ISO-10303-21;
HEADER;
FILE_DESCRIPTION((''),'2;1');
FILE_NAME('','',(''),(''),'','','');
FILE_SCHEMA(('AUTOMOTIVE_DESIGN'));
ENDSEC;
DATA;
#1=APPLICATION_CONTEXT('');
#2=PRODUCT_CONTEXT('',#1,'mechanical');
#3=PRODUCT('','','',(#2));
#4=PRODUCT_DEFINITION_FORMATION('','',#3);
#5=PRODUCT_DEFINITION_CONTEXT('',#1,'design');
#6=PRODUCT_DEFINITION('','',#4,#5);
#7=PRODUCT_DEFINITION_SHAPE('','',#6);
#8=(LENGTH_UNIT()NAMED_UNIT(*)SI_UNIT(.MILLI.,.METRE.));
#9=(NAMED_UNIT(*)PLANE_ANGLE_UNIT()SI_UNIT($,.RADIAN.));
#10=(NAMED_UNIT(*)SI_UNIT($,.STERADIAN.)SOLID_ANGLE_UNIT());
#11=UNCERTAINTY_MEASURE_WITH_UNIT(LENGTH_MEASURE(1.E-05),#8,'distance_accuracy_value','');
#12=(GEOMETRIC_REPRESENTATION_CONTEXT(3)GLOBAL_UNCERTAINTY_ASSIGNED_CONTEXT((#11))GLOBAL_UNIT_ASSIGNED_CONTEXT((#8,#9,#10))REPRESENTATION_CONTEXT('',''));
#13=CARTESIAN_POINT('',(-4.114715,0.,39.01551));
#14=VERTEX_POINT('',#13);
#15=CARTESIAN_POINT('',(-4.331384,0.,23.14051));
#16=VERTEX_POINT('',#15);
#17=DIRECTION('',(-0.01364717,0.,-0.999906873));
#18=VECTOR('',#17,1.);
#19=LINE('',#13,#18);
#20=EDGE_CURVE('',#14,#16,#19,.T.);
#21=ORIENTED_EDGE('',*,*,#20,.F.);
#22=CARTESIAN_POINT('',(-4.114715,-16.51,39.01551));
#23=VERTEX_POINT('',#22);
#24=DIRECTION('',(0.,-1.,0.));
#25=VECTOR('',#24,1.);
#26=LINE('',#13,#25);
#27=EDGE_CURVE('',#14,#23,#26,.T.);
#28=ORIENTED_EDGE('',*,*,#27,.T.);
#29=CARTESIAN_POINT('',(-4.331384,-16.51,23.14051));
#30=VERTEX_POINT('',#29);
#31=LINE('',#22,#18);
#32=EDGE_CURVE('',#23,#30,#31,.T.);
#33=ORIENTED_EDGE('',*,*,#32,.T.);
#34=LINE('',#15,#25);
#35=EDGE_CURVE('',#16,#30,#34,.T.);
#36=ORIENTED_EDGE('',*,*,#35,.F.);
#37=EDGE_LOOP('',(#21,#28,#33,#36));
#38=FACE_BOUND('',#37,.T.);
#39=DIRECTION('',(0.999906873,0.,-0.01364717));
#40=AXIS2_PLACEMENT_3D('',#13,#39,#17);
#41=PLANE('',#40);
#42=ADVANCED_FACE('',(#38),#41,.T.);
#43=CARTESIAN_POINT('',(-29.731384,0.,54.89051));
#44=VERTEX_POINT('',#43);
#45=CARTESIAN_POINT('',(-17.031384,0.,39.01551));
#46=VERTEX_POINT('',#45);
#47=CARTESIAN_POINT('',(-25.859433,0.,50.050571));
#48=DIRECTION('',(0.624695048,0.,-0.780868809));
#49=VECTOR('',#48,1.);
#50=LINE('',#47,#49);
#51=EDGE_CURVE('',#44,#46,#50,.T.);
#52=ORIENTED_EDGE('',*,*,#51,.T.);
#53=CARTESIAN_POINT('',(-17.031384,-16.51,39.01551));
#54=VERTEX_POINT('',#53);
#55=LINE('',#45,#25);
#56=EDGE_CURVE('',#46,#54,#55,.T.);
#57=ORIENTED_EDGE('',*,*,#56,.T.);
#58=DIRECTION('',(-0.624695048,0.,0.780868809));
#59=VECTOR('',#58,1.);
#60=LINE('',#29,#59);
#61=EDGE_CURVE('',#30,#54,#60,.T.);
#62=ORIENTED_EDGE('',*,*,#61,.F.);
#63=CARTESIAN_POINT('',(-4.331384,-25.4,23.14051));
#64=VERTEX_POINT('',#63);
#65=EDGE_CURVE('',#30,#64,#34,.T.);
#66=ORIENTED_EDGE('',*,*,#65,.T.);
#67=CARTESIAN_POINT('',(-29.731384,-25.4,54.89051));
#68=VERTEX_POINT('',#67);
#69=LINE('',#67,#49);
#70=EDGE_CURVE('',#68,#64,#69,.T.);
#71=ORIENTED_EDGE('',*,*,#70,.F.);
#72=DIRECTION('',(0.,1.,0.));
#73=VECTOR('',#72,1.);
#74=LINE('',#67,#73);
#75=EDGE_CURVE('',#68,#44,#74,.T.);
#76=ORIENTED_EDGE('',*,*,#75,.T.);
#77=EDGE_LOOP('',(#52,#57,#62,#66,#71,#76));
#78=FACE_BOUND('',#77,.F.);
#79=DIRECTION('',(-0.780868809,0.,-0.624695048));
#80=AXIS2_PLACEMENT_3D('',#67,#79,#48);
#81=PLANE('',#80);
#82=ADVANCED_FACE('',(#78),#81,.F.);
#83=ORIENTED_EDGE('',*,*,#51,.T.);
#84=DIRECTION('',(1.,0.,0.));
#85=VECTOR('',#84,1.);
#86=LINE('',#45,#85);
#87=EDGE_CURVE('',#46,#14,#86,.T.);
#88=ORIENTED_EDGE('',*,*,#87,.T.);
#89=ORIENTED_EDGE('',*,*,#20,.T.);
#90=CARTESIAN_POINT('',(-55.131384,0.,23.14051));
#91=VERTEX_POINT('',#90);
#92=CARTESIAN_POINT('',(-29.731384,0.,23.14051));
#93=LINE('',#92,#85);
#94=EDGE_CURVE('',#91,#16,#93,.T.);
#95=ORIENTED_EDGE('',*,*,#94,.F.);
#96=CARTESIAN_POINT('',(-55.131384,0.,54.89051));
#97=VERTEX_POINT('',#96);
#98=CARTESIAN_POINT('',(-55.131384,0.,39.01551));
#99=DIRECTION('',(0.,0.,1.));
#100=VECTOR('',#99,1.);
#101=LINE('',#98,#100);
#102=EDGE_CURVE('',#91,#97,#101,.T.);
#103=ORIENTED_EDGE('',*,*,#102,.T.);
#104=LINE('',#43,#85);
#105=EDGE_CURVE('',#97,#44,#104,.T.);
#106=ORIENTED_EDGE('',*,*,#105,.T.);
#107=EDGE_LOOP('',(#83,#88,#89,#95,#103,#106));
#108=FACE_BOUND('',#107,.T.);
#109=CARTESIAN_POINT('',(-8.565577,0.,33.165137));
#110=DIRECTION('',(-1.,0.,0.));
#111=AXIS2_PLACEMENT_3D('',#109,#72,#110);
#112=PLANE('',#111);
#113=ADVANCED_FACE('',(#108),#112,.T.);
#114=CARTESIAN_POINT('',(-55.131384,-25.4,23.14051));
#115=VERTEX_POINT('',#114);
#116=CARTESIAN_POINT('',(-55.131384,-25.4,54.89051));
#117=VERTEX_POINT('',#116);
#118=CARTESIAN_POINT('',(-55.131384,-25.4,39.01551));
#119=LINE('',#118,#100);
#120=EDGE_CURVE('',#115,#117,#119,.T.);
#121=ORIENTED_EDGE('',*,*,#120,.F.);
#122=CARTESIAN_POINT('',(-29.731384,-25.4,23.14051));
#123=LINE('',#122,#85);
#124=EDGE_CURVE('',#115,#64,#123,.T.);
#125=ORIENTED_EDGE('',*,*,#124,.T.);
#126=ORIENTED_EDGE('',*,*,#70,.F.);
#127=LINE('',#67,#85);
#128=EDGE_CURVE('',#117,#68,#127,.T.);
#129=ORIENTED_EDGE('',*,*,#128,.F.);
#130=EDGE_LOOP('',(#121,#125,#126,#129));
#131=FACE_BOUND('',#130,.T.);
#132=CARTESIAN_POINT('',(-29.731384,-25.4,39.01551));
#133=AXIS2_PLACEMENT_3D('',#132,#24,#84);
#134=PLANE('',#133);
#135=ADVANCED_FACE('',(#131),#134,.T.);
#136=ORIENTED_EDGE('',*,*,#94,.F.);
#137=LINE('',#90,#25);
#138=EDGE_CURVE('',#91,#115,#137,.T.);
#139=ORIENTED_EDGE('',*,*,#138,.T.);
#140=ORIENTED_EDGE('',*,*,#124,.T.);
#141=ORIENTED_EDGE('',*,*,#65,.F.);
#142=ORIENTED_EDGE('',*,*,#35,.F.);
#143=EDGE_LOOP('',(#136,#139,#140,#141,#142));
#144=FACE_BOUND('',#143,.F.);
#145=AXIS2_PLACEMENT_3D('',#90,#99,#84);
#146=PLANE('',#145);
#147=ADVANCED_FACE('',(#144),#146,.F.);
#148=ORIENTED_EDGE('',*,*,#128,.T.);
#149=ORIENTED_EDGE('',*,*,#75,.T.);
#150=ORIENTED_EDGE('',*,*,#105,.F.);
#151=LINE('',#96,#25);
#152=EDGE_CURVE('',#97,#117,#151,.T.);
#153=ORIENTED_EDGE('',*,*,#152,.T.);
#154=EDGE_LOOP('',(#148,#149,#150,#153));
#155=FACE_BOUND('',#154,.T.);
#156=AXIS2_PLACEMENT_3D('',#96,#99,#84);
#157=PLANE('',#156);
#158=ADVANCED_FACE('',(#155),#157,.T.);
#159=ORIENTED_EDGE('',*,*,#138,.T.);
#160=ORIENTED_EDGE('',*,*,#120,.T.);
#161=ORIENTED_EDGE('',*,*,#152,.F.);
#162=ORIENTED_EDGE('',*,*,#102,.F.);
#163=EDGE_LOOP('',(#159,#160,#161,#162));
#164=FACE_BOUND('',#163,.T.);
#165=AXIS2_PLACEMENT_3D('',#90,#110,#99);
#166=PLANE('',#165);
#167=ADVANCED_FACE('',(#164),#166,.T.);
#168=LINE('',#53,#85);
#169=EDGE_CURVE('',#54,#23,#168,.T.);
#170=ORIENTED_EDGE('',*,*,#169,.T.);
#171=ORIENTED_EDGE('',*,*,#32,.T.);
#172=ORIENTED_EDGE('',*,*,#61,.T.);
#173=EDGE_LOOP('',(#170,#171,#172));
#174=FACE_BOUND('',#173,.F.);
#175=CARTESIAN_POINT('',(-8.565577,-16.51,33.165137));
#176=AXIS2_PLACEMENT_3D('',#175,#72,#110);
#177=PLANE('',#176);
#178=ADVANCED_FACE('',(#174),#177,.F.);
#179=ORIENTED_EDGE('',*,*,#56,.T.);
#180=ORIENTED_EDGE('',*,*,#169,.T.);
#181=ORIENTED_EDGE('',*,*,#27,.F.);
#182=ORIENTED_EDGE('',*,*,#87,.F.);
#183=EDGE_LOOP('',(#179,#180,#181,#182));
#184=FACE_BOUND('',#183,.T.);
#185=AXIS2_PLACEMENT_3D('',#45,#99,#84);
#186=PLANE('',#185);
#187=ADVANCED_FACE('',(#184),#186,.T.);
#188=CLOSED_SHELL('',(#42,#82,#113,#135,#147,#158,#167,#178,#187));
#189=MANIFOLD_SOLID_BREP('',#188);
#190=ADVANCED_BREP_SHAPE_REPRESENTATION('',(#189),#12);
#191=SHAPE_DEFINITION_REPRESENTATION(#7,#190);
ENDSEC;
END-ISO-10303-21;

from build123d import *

# Parameters (mm, degrees)
F0_W     = 50.8
F0_H     = 31.75
F1_DEPTH = 25.4
F3_DEPTH = 25.401
F5_DEPTH = 16.51


with BuildPart() as f1:
    # F0 (on Front) → F1 (new body)
    with BuildSketch(Plane.XZ):
        with Locations((-29.731384, 39.01551)):
            Rectangle(F0_W, F0_H)
    extrude(amount=F1_DEPTH)

    # F2 (on face) → F3 (cut, through all)
    with BuildSketch(Plane.XZ.offset(25.4)):
        Polygon((-4.331384, 54.89051), (-29.731384, 54.89051), (-4.331384, 23.14051), align=None)
    extrude(amount=-F3_DEPTH, mode=Mode.SUBTRACT)

    # F4 (on face) → F5 (join)
    with BuildSketch(Plane(origin=(0, 0, 0), x_dir=(-1, 0, 0), z_dir=(0, 1, 0))):
        Polygon((4.331384, 23.14051), (17.031384, 39.01551), (4.114715, 39.01551), align=None)
    extrude(amount=-F5_DEPTH)


solid = f1.part
